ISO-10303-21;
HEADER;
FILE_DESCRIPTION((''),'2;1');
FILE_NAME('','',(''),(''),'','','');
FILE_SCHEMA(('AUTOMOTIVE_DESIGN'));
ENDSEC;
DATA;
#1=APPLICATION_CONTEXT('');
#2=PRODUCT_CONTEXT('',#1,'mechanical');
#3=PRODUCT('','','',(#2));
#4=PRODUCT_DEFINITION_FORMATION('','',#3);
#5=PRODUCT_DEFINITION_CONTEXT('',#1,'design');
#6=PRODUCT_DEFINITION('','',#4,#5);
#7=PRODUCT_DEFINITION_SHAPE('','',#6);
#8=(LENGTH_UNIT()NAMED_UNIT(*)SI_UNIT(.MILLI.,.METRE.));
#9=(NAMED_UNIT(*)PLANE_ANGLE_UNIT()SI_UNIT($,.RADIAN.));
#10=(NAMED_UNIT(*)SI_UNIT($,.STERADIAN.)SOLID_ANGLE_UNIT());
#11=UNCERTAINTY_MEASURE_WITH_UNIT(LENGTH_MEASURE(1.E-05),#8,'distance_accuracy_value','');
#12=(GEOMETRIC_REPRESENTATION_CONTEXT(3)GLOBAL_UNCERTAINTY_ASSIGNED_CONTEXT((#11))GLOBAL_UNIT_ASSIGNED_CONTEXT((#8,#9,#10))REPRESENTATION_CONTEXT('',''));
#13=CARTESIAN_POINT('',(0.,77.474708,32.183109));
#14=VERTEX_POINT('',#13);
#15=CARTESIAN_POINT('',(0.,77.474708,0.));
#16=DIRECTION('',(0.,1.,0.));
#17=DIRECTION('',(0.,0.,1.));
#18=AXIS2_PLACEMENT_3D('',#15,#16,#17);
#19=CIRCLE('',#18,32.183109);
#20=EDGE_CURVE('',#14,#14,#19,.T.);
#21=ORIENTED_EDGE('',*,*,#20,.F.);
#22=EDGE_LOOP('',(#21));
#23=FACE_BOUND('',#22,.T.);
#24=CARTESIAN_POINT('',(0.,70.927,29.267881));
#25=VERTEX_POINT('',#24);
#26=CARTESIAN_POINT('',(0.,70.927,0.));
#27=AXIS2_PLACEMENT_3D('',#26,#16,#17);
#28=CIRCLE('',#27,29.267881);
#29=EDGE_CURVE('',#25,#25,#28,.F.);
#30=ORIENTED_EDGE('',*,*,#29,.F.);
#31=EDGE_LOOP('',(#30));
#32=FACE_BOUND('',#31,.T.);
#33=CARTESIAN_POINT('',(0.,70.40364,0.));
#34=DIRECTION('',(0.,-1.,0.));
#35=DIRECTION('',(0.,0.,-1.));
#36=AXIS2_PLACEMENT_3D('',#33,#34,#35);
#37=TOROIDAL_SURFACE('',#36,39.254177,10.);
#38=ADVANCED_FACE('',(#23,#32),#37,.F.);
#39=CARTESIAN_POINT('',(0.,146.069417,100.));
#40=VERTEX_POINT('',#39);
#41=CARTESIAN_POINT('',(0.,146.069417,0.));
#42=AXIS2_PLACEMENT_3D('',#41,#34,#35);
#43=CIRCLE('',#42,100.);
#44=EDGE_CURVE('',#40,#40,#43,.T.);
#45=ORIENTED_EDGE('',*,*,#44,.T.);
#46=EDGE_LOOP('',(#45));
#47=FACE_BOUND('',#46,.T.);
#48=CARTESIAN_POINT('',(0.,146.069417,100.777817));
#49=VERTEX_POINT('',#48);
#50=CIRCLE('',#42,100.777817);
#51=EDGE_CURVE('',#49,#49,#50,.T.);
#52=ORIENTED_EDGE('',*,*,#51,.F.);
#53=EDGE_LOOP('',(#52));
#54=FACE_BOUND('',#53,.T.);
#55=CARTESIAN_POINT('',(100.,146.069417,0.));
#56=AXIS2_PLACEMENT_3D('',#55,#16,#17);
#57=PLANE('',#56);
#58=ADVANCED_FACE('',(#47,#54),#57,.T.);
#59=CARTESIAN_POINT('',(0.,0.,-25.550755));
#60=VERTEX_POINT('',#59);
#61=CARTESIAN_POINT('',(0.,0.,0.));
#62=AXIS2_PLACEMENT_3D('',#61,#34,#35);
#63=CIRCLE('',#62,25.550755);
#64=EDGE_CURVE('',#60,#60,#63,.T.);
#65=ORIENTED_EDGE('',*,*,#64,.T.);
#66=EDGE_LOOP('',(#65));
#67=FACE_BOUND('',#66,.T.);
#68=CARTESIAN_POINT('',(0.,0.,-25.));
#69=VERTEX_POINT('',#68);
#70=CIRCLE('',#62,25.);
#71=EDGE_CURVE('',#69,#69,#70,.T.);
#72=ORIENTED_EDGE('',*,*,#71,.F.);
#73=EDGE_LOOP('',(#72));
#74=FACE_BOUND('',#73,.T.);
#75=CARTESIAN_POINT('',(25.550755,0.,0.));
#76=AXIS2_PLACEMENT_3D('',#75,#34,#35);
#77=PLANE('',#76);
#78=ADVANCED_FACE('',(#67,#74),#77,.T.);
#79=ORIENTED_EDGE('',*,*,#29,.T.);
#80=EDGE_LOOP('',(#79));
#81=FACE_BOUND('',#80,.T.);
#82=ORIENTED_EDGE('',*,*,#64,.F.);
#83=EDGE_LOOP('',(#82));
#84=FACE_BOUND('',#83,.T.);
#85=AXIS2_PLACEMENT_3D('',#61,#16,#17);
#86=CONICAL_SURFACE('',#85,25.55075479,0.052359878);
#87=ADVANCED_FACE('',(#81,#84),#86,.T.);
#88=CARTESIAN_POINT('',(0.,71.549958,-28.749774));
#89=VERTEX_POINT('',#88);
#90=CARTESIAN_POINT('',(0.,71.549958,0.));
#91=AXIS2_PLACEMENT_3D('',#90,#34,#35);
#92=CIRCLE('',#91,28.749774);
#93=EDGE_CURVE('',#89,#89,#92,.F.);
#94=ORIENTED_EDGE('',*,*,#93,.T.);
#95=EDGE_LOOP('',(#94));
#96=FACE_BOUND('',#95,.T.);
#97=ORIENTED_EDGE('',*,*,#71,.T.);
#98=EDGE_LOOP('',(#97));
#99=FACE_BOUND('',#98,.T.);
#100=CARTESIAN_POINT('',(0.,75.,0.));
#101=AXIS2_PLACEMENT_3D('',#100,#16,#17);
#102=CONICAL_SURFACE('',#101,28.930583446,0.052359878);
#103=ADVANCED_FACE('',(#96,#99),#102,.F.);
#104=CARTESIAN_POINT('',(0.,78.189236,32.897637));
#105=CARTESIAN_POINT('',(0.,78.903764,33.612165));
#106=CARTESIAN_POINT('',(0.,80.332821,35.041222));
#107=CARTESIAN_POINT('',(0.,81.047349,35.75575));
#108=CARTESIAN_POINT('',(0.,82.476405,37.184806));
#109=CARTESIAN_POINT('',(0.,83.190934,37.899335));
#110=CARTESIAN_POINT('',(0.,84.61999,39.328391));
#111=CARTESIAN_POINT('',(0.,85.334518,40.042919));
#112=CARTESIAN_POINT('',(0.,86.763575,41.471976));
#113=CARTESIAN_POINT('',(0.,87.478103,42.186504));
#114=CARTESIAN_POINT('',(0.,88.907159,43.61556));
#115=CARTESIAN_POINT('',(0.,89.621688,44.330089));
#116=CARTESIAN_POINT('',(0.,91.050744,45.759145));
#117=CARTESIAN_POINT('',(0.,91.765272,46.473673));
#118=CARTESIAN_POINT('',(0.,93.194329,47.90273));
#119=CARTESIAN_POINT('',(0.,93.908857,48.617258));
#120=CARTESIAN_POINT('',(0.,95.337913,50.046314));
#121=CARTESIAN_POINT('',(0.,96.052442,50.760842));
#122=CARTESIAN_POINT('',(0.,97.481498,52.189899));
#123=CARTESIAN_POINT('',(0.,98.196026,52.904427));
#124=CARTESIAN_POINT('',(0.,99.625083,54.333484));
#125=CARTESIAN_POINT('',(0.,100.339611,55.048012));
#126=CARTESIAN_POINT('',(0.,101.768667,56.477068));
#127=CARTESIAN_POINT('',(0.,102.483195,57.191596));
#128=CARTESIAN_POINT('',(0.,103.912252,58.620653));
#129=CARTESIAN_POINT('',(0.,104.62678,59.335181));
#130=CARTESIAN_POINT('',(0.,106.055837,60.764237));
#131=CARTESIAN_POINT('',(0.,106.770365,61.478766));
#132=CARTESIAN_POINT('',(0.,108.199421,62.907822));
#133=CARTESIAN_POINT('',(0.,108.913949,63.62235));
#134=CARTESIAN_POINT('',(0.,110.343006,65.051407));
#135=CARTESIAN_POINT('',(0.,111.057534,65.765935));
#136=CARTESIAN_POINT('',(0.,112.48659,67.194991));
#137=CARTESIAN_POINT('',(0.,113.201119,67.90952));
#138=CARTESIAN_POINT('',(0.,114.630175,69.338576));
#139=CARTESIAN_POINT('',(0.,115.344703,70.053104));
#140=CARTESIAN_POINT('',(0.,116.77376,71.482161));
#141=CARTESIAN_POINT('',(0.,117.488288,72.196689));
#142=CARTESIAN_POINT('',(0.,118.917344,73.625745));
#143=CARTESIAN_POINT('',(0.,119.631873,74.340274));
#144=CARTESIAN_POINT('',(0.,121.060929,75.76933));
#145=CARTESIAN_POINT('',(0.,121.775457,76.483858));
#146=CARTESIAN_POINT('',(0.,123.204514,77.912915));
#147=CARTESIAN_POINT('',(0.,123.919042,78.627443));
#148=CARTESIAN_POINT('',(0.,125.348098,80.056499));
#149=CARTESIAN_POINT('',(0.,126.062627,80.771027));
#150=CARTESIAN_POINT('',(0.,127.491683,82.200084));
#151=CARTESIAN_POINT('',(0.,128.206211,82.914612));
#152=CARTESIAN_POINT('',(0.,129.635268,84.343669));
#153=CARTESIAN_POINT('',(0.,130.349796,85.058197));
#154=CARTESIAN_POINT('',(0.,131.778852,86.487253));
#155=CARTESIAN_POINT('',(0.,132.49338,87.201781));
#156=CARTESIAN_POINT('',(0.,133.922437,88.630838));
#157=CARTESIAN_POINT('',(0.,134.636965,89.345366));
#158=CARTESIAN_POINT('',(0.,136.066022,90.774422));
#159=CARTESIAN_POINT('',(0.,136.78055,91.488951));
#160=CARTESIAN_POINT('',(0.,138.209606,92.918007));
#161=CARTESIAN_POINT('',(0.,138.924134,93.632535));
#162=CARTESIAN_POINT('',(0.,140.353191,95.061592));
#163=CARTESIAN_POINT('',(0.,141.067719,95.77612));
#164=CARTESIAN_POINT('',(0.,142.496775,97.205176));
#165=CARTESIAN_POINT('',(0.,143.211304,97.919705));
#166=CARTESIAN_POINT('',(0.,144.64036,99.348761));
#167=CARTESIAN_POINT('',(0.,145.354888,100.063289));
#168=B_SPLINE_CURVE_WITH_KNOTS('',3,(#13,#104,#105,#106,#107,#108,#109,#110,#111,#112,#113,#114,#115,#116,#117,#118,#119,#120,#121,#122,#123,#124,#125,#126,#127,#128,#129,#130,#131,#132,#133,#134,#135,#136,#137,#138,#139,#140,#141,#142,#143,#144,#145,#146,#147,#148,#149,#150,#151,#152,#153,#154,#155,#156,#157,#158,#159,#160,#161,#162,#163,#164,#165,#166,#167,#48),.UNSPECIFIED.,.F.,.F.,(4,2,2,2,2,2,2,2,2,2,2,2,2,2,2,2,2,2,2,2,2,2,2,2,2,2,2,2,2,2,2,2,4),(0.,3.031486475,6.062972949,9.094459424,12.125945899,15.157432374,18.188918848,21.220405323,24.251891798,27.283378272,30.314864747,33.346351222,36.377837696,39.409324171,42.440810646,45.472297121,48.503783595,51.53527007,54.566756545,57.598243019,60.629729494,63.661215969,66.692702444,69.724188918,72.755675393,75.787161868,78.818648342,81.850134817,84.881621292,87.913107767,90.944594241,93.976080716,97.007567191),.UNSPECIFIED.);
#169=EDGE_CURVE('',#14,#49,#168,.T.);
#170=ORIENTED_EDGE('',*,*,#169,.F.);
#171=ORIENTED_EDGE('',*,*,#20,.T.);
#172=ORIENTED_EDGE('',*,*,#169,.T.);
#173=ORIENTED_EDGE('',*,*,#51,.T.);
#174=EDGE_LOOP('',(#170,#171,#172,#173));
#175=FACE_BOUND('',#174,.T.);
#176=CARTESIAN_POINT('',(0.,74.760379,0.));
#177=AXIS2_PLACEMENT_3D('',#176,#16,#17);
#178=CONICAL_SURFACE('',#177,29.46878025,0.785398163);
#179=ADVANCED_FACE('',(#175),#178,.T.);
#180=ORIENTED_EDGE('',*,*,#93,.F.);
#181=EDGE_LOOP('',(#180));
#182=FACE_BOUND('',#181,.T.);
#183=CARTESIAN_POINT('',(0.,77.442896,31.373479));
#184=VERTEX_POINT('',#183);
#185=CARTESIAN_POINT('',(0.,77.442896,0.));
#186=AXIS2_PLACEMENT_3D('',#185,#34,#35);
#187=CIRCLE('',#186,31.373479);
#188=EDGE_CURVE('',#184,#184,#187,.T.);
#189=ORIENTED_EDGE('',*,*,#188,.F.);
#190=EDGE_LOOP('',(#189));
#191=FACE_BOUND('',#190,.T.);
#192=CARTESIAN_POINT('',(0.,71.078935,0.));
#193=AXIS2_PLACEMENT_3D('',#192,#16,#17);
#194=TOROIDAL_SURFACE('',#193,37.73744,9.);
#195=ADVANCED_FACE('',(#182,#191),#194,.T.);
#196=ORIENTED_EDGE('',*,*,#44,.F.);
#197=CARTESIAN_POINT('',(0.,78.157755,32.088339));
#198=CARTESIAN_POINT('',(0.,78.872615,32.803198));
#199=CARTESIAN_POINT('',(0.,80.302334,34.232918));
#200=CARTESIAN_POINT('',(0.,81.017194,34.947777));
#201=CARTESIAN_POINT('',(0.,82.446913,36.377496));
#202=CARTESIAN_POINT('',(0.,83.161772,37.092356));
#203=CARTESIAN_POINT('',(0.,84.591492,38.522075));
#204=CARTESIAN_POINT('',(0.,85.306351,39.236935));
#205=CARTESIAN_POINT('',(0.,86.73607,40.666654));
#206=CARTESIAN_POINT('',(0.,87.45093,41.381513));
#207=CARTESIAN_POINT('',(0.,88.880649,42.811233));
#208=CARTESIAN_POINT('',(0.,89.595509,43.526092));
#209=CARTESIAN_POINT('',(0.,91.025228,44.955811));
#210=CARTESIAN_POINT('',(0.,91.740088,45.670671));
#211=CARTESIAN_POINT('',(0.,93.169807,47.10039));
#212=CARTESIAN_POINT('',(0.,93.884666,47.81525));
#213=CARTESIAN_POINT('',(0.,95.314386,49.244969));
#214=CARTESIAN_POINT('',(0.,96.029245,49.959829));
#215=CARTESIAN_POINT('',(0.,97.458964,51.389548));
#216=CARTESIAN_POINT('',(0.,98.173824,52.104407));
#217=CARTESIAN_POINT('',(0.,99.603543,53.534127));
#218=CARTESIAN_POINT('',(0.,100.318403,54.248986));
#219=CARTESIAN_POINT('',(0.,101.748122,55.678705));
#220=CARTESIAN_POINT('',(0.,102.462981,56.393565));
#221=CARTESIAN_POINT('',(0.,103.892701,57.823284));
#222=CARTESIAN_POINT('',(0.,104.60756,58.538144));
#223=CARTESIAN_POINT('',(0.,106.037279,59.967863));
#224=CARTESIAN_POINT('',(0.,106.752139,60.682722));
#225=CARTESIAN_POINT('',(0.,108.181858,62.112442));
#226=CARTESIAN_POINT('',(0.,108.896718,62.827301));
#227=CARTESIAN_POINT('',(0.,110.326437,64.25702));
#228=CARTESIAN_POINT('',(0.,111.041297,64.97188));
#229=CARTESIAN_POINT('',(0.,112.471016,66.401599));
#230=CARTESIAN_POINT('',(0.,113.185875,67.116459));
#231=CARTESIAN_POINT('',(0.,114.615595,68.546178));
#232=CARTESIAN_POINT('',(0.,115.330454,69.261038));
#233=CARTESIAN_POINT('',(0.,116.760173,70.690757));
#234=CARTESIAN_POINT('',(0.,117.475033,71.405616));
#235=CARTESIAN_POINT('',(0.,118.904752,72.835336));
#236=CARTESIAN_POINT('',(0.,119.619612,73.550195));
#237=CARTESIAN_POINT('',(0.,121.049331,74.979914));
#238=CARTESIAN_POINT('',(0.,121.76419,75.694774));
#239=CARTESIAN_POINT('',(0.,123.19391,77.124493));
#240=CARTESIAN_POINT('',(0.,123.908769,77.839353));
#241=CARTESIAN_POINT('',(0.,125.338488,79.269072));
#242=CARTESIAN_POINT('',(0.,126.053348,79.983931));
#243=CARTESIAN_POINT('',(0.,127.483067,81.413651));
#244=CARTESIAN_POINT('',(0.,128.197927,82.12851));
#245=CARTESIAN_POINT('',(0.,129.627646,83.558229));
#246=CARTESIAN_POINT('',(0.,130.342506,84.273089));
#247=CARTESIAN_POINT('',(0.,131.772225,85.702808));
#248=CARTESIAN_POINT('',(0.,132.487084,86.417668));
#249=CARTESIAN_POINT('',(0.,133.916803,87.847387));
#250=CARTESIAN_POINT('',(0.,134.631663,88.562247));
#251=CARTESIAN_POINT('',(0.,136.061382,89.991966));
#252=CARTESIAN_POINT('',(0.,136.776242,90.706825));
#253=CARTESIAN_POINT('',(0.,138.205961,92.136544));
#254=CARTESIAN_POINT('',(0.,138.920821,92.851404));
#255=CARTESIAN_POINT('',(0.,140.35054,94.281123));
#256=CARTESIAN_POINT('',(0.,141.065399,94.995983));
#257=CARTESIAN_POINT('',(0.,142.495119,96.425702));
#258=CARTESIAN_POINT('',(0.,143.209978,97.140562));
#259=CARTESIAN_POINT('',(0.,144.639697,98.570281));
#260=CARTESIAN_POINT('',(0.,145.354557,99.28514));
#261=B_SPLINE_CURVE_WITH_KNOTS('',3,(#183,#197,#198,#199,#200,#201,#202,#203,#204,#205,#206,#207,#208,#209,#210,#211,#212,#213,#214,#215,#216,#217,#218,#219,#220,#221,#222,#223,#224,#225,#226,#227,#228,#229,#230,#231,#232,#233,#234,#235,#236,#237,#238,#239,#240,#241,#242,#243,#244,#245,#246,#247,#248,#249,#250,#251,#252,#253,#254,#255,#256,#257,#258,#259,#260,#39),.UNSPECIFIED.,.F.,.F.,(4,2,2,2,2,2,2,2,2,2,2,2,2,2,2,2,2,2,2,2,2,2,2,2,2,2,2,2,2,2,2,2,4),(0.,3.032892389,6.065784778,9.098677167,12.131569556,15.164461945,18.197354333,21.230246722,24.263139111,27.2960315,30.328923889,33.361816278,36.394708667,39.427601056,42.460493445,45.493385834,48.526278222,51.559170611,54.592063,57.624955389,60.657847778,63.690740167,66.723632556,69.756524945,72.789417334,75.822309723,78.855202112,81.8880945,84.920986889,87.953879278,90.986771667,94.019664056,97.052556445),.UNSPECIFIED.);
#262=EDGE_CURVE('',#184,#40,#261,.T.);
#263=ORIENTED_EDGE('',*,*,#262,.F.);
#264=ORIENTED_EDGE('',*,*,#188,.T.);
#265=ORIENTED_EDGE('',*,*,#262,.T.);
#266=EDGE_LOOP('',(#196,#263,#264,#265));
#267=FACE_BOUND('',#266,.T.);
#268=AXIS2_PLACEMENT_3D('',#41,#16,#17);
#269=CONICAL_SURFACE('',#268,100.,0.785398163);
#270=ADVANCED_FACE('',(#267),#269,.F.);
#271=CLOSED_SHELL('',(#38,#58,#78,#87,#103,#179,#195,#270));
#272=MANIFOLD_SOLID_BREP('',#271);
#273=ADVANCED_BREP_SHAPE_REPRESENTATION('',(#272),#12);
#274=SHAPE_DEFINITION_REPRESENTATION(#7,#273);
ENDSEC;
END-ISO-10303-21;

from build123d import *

# Parameters (mm, degrees)
FILLET1_R = 10
FILLET2_R = 9


with BuildPart() as part:
    # Sketch1 → Revolve1 (revolve)
    with BuildSketch(Plane.XY, mode=Mode.PRIVATE) as revolve1_sk:
        Polygon((25, 0), (28.930583446, 75), (100, 146.069416554), (100.777817459, 146.069416554), (29.46878025, 74.760379345), (25.55075479, 0), align=None)
    revolve(revolve1_sk.sketch.rotate(Axis((0, -2.9, 0), (0, 1, 0)), 270), axis=Axis((0, -2.9, 0), (0, 1, 0)))

    # Fillet1
    fillet1_edges = [part.edges().sort_by_distance(p)[0] for p in [
        (0, 74.760379345, -29.46878025),
    ]]
    fillet(fillet1_edges, radius=FILLET1_R)

    # Fillet2
    fillet2_edges = [part.edges().sort_by_distance(p)[0] for p in [
        (0, 75, -28.930583446),
    ]]
    fillet(fillet2_edges, radius=FILLET2_R)


solid = part.part
